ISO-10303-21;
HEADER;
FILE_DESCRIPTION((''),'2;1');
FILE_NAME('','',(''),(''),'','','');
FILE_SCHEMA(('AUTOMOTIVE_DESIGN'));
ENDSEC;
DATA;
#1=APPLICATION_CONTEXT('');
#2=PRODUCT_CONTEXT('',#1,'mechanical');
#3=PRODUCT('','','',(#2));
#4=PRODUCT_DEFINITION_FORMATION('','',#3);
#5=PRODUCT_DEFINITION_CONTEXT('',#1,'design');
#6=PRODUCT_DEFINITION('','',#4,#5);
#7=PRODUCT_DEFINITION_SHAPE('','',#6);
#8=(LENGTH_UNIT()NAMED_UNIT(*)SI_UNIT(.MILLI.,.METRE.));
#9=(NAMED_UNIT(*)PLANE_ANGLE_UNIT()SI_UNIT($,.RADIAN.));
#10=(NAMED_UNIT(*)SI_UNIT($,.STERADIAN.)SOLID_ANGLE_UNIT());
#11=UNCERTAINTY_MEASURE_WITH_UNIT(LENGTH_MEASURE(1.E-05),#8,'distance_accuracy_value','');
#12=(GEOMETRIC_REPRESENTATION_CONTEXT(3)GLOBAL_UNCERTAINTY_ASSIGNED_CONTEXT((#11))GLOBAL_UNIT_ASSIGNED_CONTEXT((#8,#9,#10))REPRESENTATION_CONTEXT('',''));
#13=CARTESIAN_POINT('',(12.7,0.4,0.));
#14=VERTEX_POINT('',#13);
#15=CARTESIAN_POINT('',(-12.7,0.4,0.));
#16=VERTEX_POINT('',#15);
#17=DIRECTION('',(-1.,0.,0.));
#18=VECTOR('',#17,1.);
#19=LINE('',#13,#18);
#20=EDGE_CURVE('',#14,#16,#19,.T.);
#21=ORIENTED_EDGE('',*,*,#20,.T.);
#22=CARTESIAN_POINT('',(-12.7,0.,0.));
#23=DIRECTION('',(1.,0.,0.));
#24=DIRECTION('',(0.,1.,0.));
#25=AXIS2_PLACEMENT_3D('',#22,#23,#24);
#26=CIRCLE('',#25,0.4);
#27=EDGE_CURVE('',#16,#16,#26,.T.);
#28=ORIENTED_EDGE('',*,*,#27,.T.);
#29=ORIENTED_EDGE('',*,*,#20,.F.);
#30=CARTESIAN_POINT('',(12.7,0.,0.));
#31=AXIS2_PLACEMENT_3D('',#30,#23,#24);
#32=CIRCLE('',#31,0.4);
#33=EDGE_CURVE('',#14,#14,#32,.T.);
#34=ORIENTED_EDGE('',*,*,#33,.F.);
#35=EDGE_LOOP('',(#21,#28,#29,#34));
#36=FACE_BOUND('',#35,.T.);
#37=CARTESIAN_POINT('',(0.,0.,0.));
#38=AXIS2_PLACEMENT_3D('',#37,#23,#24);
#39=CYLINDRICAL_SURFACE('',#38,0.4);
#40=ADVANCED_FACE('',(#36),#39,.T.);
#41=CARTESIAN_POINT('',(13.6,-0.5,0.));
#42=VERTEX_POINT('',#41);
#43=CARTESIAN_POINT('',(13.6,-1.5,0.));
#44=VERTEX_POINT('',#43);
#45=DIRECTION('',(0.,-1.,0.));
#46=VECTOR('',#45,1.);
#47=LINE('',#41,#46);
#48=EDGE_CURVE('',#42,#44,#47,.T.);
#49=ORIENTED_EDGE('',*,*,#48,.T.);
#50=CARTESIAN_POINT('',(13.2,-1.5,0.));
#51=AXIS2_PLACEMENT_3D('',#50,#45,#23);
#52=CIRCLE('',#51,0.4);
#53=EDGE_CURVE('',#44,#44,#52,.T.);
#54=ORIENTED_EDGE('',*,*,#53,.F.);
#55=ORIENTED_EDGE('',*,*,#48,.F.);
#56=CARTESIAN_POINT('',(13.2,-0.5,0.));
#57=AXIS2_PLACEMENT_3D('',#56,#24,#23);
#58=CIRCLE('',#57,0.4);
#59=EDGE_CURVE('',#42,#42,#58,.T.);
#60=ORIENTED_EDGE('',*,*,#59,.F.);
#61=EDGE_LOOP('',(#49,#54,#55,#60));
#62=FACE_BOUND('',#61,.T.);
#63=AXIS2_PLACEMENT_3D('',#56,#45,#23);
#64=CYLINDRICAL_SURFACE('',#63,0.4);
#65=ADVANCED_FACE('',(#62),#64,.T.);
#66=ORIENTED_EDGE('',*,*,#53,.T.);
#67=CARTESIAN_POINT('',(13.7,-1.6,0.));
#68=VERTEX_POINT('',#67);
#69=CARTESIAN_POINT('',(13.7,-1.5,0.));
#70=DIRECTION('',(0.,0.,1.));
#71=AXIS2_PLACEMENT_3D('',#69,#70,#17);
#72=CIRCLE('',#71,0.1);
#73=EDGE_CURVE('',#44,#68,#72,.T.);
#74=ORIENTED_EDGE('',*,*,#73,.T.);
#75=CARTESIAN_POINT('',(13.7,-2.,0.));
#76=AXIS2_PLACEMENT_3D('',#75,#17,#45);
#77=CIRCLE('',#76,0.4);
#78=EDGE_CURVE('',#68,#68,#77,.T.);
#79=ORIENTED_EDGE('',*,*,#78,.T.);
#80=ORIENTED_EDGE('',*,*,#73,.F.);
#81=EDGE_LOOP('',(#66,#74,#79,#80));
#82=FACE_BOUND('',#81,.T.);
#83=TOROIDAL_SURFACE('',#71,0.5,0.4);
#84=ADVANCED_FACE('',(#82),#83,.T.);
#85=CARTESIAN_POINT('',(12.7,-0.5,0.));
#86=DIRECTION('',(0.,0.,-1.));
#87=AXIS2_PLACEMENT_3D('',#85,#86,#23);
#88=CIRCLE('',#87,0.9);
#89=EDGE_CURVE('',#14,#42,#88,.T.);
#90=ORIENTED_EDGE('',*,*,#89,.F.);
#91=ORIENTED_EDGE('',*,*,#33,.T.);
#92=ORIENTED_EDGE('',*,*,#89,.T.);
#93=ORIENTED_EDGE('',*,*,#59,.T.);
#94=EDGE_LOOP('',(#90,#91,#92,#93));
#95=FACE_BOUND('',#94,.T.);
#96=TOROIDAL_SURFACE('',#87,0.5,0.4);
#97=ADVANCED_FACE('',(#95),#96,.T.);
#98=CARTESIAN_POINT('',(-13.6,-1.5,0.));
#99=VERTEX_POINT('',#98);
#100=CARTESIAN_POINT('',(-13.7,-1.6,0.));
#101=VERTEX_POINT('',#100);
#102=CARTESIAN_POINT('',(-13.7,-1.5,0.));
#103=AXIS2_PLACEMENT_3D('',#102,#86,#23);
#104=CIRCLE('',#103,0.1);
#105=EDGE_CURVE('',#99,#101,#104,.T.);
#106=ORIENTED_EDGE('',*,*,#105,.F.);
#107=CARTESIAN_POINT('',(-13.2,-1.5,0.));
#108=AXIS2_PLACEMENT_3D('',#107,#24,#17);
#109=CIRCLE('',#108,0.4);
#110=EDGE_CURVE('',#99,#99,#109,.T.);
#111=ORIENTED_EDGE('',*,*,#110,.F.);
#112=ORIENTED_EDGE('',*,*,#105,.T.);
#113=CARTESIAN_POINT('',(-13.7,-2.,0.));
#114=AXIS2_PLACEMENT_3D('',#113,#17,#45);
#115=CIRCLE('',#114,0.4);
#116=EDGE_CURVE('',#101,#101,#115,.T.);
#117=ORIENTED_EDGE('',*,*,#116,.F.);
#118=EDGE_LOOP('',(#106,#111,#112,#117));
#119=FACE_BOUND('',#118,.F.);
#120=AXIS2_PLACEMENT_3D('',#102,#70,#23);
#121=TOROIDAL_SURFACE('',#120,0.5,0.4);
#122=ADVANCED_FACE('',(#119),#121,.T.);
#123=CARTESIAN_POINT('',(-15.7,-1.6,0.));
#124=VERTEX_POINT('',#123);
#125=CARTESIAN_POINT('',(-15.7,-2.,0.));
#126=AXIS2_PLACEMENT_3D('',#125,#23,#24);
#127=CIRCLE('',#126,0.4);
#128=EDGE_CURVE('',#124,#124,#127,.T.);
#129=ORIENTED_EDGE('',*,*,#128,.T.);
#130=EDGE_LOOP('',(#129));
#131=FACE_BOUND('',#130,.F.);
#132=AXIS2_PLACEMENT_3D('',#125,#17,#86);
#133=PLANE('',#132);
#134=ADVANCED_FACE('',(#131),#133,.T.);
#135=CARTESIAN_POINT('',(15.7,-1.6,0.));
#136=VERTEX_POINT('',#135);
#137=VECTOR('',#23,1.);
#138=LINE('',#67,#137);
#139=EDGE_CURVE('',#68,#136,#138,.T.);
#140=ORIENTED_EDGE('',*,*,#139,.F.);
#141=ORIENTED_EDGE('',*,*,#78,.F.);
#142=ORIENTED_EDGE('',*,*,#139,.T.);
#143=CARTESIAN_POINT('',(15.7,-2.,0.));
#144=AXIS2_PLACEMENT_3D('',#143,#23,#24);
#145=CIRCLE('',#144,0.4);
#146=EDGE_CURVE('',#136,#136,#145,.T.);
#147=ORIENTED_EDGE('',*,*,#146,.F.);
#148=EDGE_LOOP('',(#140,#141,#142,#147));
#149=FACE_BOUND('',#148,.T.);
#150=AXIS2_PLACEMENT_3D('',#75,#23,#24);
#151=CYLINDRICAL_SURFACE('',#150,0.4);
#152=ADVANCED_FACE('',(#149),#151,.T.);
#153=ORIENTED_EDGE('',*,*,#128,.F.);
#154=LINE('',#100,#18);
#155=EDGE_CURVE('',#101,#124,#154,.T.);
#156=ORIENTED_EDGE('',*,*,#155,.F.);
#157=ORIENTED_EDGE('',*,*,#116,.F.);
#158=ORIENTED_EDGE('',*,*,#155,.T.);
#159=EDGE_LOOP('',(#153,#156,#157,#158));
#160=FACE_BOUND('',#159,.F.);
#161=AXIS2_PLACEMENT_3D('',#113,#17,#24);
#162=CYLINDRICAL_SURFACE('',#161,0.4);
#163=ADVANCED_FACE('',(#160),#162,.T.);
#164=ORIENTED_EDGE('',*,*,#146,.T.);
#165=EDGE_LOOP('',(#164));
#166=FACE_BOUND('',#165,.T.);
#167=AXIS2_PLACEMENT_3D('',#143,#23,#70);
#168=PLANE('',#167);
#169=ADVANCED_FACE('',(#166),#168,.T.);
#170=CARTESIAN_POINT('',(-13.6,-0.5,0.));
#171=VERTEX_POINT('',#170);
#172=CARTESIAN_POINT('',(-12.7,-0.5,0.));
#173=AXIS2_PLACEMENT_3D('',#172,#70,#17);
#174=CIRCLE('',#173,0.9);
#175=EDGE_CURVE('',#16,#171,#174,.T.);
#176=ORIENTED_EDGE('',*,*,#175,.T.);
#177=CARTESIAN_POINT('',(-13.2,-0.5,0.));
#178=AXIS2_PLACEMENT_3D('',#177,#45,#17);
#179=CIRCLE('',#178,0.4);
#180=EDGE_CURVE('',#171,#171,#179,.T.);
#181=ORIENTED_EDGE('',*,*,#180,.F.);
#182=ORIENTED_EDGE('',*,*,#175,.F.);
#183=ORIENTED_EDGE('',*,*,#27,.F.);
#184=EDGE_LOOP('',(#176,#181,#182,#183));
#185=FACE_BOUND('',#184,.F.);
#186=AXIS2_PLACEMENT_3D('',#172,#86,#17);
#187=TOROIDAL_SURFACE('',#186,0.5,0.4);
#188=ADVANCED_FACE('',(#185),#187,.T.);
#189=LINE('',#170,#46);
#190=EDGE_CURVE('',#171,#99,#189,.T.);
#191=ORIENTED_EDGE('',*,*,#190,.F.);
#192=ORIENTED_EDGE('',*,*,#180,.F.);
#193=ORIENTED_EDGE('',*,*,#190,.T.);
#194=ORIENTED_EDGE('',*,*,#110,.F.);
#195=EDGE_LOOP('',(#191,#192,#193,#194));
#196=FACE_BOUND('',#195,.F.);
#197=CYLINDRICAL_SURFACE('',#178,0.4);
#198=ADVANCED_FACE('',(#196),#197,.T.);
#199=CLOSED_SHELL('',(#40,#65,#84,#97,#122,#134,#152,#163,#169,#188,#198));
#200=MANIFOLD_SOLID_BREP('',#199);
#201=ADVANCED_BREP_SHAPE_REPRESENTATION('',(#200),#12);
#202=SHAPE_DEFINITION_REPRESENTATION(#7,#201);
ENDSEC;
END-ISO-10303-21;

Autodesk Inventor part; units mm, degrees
ref_plane "XZ Plane" through (0, 0, 0) normal (0, 1, 0) x (-1, 0, 0)
ref_plane "XY Plane" through (0, 0, 0) normal (0, 0, 1) x (1, 0, 0)
sketch "Sketch1" plane through (0, 0, 0) normal (0, 0, 1) x (1, 0, 0)
  line L0 (0, 0) -> (12.7, 0)
  arc A0 (13.2, -0.5) -> (12.7, 0) centre (12.7, -0.5) ccw
  line L1 (13.2, -0.5) -> (13.2, -1.5)
  arc A1 (13.2, -1.5) -> (13.7, -2) centre (13.7, -1.5) ccw
  line L2 (13.7, -2) -> (15.7, -2)
  dimension "d0" = 0.5
  dimension "d1" = 2
  dimension "d2" = 90
  dimension "d3" = 12.7
  dimension "d5" = 2
ref_plane "Work Plane2" through (15.7, -2, 0) normal (1, 0, 0) x (0, 1, 0)
sketch "Sketch3" plane through (15.7, -2, 0) normal (1, 0, 0) x (0, 1, 0)
  circle A0 centre (0, 0) radius 0.4
  point P0 (2, 0)
  dimension "d6" = 0.8
sweep "Sweep1" add profiles "Sketch3" path "Sketch1"
mirror "Mirror1" about plane through (0, 0, 0) normal (-1, 0, 0) of "Sweep1"
properties part number "rotobot pushrod"
